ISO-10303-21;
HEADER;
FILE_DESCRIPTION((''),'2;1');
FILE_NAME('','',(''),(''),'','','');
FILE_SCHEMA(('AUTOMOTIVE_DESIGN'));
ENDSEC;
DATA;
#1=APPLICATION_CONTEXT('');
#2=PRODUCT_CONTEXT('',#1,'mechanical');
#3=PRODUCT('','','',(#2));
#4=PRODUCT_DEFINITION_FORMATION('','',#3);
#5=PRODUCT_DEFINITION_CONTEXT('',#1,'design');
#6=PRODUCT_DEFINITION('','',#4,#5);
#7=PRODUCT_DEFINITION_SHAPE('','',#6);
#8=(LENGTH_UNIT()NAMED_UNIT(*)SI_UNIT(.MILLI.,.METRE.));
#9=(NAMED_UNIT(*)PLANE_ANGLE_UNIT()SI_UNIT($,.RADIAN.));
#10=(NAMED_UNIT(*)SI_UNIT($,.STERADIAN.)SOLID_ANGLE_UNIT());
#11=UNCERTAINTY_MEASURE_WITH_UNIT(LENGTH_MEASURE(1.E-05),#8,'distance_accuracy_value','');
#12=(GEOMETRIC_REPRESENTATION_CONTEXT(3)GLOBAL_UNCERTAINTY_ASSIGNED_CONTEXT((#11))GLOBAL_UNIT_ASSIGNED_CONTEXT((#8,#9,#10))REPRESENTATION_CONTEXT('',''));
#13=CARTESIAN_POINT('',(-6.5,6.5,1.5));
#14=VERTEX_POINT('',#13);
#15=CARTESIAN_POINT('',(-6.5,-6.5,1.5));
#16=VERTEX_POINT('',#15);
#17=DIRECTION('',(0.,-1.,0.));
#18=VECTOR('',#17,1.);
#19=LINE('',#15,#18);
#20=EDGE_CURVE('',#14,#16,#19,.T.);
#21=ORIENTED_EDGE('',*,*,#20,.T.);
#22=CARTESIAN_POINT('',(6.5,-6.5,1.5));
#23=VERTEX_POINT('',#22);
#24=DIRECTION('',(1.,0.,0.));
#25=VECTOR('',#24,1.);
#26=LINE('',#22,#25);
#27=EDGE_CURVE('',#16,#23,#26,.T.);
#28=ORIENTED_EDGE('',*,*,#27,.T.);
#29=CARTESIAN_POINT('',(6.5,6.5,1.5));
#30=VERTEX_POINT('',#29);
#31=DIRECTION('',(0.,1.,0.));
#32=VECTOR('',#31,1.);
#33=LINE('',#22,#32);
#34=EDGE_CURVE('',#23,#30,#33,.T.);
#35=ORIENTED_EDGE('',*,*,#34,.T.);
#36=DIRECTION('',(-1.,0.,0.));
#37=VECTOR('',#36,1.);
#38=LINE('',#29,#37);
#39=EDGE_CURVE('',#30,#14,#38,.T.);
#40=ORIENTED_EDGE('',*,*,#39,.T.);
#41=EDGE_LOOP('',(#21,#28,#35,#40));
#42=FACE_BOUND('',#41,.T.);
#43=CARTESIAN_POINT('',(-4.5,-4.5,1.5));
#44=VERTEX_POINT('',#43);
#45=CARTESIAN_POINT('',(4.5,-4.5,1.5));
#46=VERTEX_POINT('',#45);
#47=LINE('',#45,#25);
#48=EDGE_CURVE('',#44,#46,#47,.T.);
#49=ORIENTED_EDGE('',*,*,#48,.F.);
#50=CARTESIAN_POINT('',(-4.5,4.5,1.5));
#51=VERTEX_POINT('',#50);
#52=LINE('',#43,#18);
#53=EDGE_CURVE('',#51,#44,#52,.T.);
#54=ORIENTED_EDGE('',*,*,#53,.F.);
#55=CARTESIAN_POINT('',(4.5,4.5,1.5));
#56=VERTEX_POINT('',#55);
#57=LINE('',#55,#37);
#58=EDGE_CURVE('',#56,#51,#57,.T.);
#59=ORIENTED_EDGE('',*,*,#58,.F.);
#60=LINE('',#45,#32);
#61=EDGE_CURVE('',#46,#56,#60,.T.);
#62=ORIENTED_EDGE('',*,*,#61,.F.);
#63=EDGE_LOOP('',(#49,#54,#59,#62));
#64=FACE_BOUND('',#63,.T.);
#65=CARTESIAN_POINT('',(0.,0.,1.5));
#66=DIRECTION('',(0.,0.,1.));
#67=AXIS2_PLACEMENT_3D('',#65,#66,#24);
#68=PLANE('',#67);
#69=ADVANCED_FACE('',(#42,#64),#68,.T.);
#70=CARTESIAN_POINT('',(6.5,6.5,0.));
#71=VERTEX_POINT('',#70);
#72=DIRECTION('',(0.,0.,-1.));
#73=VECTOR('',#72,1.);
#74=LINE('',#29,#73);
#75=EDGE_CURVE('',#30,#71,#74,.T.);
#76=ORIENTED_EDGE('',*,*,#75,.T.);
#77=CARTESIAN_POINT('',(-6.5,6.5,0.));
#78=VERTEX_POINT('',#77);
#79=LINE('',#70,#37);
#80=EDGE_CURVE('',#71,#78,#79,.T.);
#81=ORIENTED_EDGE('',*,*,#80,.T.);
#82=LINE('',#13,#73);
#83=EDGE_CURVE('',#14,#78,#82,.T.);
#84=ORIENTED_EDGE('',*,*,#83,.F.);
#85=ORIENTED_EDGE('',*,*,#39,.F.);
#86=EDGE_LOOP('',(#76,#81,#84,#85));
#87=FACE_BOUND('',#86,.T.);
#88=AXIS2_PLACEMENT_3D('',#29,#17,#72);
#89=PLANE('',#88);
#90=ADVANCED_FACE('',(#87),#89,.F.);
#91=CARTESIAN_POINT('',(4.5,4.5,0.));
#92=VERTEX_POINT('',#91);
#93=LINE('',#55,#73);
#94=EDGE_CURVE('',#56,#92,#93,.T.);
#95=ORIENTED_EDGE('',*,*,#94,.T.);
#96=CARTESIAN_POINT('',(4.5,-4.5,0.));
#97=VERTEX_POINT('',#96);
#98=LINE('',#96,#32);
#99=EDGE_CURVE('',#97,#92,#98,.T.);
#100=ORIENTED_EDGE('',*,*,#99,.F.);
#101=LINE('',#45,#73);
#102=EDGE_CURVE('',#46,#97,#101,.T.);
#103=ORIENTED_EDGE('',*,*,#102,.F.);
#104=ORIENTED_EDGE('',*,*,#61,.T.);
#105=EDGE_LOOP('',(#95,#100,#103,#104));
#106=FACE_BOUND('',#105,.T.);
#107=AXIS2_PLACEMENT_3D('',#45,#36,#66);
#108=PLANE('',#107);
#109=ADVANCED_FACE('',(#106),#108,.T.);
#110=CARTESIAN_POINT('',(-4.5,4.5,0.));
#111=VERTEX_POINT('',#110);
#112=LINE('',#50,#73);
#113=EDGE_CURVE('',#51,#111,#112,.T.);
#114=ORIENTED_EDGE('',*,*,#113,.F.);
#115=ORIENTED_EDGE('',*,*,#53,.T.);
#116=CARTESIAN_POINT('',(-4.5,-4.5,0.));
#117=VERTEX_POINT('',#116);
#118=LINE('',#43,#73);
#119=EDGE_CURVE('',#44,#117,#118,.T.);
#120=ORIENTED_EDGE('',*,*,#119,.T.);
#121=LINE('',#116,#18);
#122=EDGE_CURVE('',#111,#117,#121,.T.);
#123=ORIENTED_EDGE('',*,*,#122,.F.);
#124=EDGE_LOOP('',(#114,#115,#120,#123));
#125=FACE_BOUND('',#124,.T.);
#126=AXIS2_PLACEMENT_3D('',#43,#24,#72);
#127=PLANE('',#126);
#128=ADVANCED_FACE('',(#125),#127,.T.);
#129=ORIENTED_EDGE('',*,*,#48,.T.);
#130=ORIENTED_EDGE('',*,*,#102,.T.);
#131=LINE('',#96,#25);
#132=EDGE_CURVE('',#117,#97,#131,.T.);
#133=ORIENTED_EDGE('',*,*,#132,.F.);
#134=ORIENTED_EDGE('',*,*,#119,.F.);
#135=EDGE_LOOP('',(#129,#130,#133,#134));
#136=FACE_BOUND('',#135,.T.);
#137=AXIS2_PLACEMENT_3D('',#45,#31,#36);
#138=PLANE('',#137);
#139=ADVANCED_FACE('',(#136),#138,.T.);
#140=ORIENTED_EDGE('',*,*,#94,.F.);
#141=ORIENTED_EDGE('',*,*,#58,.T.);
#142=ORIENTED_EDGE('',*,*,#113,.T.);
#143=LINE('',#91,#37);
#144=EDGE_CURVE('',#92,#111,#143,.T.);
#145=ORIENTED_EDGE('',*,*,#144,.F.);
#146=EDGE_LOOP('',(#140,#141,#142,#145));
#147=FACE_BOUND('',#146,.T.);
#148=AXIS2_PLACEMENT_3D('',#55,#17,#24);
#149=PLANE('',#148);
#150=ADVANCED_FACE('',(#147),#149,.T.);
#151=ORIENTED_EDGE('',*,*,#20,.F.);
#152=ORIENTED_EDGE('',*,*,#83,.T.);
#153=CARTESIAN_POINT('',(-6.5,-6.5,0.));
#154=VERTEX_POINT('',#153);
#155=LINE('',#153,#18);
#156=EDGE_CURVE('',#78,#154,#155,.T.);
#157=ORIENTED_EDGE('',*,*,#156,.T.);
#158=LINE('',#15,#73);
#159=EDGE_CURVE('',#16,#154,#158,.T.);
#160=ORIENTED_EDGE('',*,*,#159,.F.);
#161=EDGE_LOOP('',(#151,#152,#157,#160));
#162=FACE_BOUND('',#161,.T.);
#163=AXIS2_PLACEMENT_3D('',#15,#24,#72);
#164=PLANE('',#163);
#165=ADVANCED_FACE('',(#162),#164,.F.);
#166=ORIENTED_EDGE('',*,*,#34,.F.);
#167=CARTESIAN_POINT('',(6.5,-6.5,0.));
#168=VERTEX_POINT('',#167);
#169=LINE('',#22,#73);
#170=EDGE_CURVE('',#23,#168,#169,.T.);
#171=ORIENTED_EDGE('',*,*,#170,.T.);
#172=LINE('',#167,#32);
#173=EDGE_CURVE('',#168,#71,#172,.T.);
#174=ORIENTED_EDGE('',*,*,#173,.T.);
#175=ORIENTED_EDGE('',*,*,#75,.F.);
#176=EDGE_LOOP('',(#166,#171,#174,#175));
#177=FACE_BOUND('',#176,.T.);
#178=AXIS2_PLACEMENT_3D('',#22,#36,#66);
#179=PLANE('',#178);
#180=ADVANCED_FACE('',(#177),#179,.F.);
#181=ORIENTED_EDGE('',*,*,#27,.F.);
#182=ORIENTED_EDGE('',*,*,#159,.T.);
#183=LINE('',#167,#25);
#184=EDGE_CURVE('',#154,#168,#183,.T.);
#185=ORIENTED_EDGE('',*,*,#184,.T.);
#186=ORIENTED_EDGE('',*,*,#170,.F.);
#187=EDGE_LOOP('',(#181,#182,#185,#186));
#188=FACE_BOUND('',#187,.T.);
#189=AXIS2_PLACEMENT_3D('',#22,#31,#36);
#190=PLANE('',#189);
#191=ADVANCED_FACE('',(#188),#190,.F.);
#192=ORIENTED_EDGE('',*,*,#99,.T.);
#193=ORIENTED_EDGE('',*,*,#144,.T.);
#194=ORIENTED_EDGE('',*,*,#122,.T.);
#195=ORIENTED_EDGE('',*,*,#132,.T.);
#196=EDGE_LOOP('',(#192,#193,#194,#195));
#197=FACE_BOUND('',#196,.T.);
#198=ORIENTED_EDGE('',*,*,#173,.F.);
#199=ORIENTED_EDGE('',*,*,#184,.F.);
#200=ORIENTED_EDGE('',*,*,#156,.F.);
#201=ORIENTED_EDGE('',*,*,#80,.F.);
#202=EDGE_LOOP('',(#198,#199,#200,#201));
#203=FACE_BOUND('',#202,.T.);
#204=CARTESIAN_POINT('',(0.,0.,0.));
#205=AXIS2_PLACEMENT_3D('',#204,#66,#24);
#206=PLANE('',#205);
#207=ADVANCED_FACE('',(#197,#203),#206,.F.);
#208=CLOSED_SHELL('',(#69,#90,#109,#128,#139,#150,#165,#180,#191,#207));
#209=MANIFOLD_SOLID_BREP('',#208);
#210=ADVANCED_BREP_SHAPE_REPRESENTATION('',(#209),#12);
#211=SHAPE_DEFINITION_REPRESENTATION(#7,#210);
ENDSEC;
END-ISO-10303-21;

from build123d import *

# Parameters (mm, degrees)
SKETCH1_W           = 13
SKETCH1_H           = 13
SKETCH1_W_2         = 9
SKETCH1_H_2         = 9
BOSS_EXTRUDE1_DEPTH = 1.5


with BuildPart() as part:
    # Sketch1 → Boss-Extrude1 (new body)
    with BuildSketch(Plane.XY):
        Rectangle(SKETCH1_W, SKETCH1_H)
        Rectangle(SKETCH1_W_2, SKETCH1_H_2, mode=Mode.SUBTRACT)
    extrude(amount=BOSS_EXTRUDE1_DEPTH)


solid = part.part
